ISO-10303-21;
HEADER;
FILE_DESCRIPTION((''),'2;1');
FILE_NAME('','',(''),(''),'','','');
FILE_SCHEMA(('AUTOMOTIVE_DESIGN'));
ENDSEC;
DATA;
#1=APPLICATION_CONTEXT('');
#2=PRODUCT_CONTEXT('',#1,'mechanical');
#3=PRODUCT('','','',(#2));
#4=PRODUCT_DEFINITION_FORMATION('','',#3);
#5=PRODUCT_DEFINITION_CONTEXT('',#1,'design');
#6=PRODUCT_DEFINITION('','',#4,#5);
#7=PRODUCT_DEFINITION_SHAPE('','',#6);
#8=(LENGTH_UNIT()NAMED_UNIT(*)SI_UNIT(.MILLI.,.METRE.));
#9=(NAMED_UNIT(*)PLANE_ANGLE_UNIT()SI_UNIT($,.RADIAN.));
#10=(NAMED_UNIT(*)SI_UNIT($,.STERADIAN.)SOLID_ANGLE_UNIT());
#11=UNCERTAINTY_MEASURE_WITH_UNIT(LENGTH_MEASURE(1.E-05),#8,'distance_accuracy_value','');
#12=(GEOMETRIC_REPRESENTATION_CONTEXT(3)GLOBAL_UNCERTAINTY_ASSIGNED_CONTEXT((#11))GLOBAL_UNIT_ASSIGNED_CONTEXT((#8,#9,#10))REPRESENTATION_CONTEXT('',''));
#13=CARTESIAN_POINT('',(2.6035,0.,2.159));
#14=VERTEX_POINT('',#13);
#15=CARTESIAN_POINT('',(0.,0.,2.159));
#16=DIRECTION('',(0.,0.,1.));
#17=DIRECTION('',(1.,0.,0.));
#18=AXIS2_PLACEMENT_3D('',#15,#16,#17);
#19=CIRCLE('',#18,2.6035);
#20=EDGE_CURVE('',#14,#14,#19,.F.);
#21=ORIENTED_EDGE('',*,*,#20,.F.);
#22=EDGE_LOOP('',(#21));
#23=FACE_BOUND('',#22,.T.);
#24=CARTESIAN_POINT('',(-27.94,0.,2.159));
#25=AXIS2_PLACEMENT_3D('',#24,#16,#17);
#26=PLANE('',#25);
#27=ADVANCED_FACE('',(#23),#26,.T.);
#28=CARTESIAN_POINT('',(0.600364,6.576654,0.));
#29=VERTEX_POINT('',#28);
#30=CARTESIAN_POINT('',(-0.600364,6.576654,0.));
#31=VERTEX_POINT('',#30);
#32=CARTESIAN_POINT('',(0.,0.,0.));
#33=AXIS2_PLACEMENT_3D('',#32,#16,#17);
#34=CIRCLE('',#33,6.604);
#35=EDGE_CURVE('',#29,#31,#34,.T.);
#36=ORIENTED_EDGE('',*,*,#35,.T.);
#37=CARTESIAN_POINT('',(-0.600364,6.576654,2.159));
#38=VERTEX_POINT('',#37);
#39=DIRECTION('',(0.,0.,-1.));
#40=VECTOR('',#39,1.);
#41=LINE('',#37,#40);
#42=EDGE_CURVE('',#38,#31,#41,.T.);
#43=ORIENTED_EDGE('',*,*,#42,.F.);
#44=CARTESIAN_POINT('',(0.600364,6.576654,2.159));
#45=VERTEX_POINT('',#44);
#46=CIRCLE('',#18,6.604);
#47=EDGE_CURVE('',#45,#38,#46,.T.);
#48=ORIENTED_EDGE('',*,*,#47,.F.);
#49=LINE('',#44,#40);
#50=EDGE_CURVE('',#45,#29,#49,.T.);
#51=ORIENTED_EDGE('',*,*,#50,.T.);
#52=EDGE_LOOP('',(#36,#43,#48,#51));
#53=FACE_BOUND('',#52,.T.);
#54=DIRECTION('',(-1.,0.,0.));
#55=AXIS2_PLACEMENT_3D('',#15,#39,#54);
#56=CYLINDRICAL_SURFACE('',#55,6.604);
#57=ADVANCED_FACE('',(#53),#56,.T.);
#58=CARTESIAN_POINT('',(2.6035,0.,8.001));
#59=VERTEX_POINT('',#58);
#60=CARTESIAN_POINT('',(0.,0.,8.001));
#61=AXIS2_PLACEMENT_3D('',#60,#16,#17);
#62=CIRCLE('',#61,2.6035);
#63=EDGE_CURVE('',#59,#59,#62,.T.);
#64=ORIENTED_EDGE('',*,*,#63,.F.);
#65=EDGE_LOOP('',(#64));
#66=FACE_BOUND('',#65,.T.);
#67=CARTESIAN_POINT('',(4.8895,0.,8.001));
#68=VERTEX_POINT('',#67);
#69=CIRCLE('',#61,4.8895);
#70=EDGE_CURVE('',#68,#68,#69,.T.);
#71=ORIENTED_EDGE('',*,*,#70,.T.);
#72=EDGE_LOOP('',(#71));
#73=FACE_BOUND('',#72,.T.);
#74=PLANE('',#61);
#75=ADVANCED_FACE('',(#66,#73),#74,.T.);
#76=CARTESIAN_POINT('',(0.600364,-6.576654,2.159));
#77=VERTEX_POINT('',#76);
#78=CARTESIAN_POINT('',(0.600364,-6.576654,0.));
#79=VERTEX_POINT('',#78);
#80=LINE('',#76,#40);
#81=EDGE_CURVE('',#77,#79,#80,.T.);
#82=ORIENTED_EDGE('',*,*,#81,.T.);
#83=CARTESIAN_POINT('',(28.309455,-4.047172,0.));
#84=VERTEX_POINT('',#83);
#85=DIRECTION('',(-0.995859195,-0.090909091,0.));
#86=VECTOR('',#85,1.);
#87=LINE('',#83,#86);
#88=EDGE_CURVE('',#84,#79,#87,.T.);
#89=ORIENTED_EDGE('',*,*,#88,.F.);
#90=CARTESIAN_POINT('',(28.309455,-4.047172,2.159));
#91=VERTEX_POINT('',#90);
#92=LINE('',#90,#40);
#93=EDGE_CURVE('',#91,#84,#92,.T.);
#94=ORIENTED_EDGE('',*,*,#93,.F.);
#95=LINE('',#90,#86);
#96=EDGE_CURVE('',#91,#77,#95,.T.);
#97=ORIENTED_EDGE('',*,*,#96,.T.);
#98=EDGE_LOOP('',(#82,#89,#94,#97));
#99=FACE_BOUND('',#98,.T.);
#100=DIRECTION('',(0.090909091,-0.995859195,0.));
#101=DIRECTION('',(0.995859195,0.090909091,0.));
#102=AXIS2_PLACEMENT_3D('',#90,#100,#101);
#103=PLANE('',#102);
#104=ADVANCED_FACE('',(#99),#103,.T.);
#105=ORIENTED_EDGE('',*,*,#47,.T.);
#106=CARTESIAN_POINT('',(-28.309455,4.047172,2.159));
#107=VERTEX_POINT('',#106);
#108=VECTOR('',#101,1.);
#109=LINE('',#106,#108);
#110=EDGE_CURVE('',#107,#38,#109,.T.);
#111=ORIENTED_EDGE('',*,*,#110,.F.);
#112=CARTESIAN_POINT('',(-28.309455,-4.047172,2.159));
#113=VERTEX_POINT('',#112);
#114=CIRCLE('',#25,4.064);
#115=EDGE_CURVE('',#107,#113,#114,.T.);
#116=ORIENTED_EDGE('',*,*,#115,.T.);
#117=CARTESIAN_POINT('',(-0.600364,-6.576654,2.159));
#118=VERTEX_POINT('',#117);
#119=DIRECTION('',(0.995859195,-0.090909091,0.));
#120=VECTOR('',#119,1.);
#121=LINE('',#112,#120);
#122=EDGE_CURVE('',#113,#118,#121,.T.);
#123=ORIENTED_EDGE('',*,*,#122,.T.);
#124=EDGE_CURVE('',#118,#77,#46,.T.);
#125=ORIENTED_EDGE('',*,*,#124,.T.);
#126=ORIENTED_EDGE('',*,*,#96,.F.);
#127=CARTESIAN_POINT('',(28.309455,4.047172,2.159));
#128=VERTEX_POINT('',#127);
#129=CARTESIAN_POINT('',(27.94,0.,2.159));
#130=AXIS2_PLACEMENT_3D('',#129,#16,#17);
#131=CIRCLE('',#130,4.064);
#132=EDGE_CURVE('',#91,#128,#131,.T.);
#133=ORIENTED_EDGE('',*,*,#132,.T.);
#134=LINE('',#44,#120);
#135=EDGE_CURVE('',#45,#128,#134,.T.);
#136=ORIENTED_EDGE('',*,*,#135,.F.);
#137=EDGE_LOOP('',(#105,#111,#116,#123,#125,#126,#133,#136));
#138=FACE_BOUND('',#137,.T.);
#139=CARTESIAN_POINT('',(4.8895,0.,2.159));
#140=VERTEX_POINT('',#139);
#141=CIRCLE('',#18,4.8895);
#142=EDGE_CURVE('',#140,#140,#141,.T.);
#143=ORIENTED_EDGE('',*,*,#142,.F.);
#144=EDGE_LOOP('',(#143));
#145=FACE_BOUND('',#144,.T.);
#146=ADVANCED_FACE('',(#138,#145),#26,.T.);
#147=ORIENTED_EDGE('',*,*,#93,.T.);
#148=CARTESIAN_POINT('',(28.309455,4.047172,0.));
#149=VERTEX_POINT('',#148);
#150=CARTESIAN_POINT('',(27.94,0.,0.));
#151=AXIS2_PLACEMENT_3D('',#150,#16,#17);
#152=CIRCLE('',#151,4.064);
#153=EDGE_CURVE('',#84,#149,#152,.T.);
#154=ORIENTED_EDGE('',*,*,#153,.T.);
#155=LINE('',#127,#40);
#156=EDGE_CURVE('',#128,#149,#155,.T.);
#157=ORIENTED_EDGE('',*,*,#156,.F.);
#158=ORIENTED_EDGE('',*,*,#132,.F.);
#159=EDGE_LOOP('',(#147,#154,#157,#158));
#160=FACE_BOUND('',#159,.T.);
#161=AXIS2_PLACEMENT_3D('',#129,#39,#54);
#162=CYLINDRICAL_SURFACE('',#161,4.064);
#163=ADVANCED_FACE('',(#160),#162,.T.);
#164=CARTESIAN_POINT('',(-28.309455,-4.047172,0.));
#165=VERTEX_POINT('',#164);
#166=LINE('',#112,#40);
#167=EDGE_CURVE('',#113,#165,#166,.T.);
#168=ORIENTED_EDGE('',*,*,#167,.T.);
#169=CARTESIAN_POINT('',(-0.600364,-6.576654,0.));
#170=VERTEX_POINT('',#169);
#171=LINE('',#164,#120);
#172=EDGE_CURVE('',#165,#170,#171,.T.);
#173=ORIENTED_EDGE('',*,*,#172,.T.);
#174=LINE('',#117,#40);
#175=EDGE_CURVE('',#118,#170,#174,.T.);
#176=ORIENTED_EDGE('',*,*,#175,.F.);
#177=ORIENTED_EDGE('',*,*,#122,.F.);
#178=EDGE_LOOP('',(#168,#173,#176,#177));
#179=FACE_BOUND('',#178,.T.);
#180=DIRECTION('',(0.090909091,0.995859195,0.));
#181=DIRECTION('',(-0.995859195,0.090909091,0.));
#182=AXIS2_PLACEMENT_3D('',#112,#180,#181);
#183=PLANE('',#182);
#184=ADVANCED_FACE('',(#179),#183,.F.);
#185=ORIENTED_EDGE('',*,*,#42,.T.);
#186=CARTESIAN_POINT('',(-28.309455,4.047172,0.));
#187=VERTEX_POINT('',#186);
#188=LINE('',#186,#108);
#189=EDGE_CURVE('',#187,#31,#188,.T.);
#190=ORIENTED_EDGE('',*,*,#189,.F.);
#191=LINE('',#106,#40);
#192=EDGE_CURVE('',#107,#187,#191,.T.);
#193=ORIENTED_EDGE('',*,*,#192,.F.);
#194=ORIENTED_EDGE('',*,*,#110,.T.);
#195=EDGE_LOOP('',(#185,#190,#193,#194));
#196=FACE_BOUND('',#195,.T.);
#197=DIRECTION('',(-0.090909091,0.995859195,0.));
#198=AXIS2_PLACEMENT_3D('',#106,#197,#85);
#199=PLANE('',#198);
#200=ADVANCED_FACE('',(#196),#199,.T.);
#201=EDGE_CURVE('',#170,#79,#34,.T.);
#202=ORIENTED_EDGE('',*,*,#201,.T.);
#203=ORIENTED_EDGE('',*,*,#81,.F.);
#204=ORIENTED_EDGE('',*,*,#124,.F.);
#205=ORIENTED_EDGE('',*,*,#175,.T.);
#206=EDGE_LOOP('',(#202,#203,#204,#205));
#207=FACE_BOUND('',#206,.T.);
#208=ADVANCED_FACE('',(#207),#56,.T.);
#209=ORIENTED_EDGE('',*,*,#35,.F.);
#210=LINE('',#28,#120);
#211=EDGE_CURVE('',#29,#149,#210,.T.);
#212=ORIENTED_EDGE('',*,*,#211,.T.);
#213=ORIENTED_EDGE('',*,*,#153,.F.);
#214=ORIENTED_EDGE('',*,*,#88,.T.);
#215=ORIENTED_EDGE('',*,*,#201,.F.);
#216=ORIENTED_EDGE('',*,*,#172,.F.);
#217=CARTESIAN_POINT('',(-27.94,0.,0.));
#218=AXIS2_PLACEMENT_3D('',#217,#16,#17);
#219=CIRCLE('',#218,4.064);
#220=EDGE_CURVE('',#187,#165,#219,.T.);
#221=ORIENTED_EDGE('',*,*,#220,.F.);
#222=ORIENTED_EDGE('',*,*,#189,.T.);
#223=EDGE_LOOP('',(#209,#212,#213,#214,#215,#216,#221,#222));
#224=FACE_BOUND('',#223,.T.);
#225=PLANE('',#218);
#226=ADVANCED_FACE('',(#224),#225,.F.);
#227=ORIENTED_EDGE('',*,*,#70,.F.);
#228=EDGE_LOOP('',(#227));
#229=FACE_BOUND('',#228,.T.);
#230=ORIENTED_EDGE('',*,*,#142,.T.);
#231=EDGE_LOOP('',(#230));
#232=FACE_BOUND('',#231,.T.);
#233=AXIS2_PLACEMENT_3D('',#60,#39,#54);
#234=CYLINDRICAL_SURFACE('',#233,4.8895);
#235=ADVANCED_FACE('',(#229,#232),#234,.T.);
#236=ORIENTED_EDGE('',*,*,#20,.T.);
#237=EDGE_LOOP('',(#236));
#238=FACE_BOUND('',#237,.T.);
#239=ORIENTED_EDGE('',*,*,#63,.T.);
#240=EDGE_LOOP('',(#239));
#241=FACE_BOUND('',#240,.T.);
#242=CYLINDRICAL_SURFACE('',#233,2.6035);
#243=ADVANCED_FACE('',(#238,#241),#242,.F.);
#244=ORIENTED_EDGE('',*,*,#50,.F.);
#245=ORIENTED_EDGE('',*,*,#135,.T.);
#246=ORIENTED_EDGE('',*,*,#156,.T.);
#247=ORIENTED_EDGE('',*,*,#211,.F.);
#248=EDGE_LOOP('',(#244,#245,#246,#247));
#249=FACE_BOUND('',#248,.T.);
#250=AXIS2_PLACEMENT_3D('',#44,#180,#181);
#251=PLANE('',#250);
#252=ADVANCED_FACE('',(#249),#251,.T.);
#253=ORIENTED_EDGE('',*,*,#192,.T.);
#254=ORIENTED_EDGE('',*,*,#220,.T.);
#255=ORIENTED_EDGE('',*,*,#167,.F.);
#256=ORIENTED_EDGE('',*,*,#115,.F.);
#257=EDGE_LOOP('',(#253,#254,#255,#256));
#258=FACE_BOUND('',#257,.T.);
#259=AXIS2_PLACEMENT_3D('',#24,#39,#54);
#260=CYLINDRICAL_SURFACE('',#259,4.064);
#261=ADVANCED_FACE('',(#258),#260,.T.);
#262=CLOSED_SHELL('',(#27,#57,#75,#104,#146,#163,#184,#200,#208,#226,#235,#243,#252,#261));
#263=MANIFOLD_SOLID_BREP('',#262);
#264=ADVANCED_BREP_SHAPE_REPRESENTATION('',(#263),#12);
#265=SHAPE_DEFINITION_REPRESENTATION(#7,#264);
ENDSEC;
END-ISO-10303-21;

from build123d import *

# Parameters (mm, degrees)
BOSS_EXTRUDE1_DEPTH = 2.159
SKETCH2_R           = 4.8895
SKETCH2_R_2         = 2.6035
BOSS_EXTRUDE2_DEPTH = 5.842


with BuildPart() as part:
    # Sketch1 → Boss-Extrude1 (new body)
    with BuildSketch(Plane.XY):
        with BuildLine():
            Line((-28.309454545, 4.04717177), (-0.600363636, 6.576654127))
            ThreePointArc((-0.600363636, 6.576654127), (0, 6.604), (0.600363636, 6.576654127))
            Line((0.600363636, 6.576654127), (28.309454545, 4.04717177))
            ThreePointArc((28.309454545, 4.04717177), (32.004, 0), (28.309454545, -4.04717177))
            Line((28.309454545, -4.04717177), (0.600363636, -6.576654127))
            ThreePointArc((0.600363636, -6.576654127), (0, -6.604), (-0.600363636, -6.576654127))
            Line((-0.600363636, -6.576654127), (-28.309454545, -4.04717177))
            ThreePointArc((-28.309454545, -4.04717177), (-32.004, 0), (-28.309454545, 4.04717177))
        make_face()
    extrude(amount=BOSS_EXTRUDE1_DEPTH)

    # Sketch2 → Boss-Extrude2 (add)
    with BuildSketch(Plane.XY.offset(2.159)):
        Circle(SKETCH2_R)
        Circle(SKETCH2_R_2, mode=Mode.SUBTRACT)
    extrude(amount=BOSS_EXTRUDE2_DEPTH)


solid = part.part
